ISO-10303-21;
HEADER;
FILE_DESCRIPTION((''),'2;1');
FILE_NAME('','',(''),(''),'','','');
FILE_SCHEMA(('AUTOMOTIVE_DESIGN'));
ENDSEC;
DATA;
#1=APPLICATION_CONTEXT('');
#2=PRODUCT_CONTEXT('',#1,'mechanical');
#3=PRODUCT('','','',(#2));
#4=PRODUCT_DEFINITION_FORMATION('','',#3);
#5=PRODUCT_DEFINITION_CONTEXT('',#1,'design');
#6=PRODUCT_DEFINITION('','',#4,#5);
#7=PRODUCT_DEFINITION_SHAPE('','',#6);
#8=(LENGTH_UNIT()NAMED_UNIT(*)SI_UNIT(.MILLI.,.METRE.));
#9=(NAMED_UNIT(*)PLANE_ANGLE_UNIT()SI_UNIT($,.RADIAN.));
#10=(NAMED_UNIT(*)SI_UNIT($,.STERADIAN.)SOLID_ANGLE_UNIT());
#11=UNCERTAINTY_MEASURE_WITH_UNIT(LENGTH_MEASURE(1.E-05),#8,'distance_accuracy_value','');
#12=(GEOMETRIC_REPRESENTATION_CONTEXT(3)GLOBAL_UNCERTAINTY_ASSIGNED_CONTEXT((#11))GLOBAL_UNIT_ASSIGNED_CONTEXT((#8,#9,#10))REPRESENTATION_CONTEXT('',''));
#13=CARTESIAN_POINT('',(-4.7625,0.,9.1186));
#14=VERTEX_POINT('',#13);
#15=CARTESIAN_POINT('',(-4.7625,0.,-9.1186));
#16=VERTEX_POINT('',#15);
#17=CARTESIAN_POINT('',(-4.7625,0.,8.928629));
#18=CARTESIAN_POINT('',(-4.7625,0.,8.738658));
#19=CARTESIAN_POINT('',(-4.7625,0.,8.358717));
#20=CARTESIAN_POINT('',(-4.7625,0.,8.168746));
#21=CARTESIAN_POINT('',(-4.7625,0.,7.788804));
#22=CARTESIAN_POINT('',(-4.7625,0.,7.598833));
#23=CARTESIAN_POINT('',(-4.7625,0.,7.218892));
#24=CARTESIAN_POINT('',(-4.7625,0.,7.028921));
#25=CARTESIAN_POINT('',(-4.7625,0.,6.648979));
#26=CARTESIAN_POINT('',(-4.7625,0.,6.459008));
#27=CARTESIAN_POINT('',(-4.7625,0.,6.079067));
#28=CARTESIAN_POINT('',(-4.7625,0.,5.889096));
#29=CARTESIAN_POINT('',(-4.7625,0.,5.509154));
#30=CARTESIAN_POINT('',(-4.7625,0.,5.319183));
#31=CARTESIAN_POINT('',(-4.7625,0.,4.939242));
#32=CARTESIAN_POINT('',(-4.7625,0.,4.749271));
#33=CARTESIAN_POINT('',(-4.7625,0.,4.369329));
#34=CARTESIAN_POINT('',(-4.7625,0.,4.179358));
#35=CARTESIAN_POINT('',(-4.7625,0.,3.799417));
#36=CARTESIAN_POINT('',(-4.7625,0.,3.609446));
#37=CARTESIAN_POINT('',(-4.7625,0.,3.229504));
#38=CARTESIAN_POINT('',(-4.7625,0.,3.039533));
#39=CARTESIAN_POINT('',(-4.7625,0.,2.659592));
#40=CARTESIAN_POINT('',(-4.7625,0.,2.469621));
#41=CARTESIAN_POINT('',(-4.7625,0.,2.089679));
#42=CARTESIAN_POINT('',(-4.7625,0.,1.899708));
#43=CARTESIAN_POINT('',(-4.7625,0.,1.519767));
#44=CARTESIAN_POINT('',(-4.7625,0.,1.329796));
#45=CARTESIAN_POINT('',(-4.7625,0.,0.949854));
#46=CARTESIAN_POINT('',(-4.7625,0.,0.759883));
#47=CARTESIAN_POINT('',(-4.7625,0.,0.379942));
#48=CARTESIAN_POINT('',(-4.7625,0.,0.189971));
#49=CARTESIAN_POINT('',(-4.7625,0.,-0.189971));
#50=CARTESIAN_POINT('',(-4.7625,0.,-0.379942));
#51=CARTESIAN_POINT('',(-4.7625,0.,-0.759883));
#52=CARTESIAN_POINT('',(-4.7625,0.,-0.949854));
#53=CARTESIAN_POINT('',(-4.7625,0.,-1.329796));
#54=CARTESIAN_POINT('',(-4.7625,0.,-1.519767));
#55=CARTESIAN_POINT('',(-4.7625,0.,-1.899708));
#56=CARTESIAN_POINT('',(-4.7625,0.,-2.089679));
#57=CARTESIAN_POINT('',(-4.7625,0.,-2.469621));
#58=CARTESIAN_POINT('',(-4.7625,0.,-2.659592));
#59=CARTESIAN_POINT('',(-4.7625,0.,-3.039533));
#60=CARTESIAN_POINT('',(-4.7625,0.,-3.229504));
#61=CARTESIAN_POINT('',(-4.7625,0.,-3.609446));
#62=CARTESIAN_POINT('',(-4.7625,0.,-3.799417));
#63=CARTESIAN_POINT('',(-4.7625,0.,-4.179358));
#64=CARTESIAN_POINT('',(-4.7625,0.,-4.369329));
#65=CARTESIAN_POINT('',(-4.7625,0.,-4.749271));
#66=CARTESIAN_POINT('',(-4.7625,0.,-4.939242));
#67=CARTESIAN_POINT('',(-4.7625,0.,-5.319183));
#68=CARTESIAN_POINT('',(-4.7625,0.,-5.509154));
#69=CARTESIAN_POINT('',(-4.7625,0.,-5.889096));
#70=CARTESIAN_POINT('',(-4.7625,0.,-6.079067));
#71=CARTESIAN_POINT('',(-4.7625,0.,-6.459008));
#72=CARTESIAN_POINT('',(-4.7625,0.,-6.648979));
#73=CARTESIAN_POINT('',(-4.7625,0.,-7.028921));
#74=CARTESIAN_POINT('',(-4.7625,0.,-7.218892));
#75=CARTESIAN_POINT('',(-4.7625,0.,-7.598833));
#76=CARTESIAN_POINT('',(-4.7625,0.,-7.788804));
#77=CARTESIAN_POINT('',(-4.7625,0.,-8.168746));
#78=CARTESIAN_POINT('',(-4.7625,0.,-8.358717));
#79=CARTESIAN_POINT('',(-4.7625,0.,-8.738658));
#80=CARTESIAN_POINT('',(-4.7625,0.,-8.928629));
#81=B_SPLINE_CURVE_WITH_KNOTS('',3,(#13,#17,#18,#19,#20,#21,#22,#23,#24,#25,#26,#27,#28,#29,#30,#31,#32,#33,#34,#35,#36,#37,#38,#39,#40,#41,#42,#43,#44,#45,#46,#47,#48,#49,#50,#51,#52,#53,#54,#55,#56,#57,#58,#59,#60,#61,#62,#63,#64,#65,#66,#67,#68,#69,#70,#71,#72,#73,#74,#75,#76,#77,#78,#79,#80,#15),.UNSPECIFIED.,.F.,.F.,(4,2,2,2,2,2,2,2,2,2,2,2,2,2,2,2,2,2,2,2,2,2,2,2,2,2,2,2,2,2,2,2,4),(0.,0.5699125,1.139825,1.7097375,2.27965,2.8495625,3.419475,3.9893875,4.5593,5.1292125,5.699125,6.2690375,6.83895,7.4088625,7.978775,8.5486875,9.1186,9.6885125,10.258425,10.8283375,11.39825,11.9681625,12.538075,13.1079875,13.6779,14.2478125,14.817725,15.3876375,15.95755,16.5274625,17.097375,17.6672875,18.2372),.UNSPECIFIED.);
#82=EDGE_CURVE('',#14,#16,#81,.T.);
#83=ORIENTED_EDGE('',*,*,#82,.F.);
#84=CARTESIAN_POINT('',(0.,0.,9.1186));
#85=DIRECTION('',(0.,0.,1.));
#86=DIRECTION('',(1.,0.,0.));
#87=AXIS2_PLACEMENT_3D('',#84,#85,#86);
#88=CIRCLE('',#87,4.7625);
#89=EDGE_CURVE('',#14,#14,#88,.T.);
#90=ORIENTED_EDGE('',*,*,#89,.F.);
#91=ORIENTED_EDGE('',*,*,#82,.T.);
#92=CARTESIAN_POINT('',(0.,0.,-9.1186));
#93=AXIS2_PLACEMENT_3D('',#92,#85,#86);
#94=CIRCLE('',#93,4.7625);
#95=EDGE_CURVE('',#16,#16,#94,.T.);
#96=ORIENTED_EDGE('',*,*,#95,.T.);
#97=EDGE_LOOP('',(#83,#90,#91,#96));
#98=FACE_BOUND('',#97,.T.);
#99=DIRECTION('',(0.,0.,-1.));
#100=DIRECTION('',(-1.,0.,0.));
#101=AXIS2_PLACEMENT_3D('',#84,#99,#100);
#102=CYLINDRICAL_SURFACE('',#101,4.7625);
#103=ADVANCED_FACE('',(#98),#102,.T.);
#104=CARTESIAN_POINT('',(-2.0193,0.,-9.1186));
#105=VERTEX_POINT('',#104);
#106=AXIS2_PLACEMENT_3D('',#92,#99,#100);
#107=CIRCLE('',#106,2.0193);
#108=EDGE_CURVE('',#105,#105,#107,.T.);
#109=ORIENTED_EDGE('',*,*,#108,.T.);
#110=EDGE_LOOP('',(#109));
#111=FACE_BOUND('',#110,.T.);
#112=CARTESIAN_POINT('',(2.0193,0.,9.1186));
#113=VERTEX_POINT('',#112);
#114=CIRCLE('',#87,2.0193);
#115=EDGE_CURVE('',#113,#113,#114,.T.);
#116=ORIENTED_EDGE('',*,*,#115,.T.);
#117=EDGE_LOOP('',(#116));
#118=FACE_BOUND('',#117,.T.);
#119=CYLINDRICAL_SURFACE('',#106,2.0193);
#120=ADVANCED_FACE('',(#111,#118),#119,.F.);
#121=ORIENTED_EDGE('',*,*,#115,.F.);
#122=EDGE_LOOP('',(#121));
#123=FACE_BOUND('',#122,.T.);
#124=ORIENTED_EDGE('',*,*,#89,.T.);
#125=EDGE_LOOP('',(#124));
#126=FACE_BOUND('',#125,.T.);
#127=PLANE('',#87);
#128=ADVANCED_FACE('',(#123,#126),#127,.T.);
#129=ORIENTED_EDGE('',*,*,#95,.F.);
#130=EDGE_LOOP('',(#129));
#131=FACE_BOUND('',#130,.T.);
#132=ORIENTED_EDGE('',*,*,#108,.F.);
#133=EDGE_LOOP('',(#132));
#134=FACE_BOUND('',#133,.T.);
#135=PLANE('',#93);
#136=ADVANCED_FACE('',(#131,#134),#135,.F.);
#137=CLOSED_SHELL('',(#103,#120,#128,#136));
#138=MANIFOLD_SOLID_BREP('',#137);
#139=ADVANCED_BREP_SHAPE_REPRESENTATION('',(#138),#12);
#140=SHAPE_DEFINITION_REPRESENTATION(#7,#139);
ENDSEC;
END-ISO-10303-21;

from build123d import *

# Parameters (mm, degrees)
SKETCH1_R                            = 4.7625
BOSS_EXTRUDE1_DEPTH                  = 9.1186
F_10_32_TAPPED_HOLE2_D               = 4.0386
F_10_32_TAPPED_HOLE2_DEPTH           = 15.07744
F_10_32_TAPPED_HOLE2_TIP             = 1.213317848
F_10_32_TAPPED_HOLE2_ON_FACE_2_D     = 4.0386
F_10_32_TAPPED_HOLE2_ON_FACE_2_DEPTH = 15.07744
F_10_32_TAPPED_HOLE2_ON_FACE_2_TIP   = 1.213317848


with BuildPart() as part:
    # Sketch1 → Boss-Extrude1 (new, symmetric)
    with BuildSketch(Plane.XY):
        with Locations(Location((0, 0, 0), (0, 0, 180))):
            Circle(SKETCH1_R)
    extrude(amount=BOSS_EXTRUDE1_DEPTH, both=True)

    # #10-32 Tapped Hole2
    with Locations(Plane.XY.offset(9.1186)):
        with Locations((0, 0)):
            Hole(F_10_32_TAPPED_HOLE2_D / 2, depth=F_10_32_TAPPED_HOLE2_DEPTH)
            with Locations((0, 0, -(F_10_32_TAPPED_HOLE2_DEPTH + F_10_32_TAPPED_HOLE2_TIP / 2))):  # 118° drill point
                Cone(0, F_10_32_TAPPED_HOLE2_D / 2, F_10_32_TAPPED_HOLE2_TIP, mode=Mode.SUBTRACT)

    # #10-32 Tapped Hole2 on face 2
    with Locations(Plane(origin=(0, 0, -9.1186), x_dir=(-1, 0, 0), z_dir=(0, 0, -1))):
        with Locations((0, 0)):
            Hole(F_10_32_TAPPED_HOLE2_ON_FACE_2_D / 2, depth=F_10_32_TAPPED_HOLE2_ON_FACE_2_DEPTH)
            with Locations((0, 0, -(F_10_32_TAPPED_HOLE2_ON_FACE_2_DEPTH + F_10_32_TAPPED_HOLE2_ON_FACE_2_TIP / 2))):  # 118° drill point
                Cone(0, F_10_32_TAPPED_HOLE2_ON_FACE_2_D / 2, F_10_32_TAPPED_HOLE2_ON_FACE_2_TIP, mode=Mode.SUBTRACT)


solid = part.part
